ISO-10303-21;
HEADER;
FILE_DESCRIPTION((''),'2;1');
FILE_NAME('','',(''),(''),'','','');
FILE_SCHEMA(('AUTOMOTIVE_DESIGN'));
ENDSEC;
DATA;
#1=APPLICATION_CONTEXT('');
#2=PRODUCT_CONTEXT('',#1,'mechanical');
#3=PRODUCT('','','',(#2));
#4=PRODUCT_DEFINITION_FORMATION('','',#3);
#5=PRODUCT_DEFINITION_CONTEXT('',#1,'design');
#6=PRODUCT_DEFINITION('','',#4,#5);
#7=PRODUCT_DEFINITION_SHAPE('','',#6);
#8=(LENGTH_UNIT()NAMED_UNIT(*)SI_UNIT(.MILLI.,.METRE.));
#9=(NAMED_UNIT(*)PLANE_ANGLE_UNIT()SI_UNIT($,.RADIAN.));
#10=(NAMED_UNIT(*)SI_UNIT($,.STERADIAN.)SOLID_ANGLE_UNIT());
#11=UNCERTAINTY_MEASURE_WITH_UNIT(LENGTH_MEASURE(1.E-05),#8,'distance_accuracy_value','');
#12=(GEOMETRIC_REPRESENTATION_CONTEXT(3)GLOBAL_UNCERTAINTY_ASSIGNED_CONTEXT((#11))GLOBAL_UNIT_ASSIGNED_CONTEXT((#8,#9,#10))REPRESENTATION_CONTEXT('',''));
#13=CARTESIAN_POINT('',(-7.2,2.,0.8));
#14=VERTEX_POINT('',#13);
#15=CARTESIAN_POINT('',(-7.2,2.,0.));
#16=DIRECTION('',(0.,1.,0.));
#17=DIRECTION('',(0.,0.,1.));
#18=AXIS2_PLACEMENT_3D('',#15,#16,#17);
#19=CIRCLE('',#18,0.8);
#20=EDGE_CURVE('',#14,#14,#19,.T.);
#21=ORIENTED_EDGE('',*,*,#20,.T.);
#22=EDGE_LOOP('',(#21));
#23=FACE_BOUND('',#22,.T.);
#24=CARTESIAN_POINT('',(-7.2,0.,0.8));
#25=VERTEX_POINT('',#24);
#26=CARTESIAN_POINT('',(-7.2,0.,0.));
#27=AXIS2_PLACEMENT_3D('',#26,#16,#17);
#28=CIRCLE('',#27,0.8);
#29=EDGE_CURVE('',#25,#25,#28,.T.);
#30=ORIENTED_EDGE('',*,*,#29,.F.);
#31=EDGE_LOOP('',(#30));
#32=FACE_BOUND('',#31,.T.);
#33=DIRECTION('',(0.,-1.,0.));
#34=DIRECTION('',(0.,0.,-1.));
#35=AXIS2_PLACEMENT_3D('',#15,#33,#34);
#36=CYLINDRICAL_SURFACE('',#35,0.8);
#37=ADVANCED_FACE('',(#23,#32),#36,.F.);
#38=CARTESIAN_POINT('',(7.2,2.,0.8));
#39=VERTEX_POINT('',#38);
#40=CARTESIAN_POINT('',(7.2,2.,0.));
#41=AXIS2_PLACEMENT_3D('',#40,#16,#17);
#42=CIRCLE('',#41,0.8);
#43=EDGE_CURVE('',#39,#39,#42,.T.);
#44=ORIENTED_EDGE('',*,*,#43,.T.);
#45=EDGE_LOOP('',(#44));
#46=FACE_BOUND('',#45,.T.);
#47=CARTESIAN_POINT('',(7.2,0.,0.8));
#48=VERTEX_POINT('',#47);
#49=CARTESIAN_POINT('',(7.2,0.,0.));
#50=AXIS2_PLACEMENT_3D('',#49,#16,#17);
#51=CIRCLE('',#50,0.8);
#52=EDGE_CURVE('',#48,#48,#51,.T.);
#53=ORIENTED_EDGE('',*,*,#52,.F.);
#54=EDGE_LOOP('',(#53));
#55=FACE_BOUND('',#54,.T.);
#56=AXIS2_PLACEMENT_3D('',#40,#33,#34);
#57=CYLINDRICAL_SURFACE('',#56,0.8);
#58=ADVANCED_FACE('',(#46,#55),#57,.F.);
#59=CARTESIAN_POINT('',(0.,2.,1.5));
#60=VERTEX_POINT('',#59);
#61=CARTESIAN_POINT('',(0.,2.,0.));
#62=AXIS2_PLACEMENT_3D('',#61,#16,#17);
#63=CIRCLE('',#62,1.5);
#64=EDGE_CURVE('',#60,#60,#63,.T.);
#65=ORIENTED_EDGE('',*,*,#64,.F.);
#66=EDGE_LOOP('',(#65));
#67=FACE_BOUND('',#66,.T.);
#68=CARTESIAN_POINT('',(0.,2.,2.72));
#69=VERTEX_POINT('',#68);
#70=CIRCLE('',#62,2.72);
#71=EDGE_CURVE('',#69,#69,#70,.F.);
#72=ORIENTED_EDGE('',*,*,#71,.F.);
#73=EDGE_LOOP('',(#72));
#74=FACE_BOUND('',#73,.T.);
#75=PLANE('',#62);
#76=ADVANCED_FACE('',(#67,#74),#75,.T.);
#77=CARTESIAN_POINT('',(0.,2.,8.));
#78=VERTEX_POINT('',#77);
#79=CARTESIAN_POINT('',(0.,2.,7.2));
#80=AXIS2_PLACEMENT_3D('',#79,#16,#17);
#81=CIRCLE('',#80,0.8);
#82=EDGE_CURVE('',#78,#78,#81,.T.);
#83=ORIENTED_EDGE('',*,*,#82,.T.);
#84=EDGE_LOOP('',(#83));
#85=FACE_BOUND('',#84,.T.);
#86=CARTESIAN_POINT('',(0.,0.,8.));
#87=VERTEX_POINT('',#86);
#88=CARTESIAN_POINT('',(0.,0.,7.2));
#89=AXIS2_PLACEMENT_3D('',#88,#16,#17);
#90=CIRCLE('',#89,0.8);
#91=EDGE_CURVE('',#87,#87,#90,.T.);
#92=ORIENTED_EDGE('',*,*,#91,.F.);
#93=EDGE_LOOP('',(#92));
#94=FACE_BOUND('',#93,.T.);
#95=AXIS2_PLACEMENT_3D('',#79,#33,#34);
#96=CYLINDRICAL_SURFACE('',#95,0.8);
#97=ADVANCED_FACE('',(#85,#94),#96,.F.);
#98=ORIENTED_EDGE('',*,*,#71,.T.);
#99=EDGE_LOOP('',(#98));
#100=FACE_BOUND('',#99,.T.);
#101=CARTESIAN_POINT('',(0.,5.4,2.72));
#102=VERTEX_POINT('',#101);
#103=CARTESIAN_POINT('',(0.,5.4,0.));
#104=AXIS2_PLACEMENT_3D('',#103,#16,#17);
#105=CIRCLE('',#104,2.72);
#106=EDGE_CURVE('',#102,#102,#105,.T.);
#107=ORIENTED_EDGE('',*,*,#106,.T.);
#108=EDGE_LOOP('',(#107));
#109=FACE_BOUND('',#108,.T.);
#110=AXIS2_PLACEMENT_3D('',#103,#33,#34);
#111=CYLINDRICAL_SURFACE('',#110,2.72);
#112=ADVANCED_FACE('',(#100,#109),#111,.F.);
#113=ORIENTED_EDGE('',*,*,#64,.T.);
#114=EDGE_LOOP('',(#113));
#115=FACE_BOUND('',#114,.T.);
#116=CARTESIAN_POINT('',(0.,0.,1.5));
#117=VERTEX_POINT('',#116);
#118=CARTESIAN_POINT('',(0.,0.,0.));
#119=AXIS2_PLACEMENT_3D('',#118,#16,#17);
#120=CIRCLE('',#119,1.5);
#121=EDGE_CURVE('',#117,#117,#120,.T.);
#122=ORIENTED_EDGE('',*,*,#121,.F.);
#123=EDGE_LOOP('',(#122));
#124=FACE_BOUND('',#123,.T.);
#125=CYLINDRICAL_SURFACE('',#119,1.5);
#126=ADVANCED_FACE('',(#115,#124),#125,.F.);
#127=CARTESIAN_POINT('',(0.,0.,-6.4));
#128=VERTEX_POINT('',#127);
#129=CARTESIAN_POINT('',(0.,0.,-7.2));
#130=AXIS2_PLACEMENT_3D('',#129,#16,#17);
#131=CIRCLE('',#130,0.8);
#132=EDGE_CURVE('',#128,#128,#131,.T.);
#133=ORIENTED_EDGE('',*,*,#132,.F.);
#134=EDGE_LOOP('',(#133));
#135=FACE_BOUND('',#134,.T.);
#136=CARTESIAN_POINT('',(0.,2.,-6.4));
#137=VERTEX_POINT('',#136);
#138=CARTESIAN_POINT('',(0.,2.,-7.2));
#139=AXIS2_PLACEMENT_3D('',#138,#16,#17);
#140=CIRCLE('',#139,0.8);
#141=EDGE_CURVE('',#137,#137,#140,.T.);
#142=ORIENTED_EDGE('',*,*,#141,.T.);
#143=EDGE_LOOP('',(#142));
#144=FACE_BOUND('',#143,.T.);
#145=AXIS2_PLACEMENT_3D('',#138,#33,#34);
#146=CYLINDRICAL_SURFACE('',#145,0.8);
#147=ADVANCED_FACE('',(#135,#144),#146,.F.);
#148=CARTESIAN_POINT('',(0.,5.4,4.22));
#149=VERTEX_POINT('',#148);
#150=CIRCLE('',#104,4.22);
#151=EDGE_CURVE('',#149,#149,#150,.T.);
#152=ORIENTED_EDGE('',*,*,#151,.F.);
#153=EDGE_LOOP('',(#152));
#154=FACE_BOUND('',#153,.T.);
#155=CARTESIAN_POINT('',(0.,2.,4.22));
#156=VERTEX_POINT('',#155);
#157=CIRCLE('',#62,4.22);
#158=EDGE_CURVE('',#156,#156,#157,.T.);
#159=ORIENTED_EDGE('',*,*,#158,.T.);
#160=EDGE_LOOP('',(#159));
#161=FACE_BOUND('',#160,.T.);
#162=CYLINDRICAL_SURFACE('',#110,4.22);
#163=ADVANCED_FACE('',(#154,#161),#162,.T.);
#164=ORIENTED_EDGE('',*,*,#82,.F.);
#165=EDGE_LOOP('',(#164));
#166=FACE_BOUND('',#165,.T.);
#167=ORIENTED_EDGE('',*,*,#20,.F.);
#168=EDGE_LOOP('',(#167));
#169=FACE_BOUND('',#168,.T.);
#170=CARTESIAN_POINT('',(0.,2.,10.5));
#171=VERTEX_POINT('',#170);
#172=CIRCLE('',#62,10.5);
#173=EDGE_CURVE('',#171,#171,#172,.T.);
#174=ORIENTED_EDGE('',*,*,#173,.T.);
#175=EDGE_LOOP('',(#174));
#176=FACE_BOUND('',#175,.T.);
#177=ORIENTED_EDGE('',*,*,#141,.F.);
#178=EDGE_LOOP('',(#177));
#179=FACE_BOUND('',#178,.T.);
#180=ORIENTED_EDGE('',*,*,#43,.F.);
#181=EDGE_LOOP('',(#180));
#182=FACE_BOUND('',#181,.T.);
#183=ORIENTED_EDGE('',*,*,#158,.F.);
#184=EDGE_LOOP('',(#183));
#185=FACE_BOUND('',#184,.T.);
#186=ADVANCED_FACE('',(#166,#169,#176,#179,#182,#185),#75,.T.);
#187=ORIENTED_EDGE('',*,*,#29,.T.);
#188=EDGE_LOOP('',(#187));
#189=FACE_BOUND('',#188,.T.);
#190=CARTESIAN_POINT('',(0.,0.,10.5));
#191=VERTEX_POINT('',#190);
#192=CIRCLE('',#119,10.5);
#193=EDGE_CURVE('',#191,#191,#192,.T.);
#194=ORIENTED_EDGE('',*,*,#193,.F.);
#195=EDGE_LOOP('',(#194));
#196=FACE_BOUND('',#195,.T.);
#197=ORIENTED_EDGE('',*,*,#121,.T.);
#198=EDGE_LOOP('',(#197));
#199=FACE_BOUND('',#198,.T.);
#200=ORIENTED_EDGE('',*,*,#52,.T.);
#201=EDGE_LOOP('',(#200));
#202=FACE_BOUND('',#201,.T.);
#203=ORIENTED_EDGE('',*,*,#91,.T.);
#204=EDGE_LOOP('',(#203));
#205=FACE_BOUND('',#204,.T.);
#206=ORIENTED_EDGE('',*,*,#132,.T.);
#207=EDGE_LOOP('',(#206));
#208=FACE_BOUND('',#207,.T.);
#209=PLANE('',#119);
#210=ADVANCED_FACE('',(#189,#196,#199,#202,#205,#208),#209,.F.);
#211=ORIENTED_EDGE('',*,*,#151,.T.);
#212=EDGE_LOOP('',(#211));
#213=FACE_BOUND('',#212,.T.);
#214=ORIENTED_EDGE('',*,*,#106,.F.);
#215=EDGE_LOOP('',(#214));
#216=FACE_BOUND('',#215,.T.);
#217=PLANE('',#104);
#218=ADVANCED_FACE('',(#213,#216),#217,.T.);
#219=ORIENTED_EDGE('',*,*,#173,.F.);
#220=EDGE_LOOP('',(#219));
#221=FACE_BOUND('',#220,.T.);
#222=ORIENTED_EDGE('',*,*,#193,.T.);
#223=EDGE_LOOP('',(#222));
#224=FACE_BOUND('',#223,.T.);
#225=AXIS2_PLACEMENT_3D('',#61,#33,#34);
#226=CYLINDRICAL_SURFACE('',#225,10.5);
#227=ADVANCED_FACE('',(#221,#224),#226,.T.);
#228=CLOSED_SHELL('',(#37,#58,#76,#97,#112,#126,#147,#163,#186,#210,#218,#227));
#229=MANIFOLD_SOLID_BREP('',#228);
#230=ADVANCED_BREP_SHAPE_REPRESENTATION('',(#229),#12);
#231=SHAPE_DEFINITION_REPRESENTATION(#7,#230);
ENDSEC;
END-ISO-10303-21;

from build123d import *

# Parameters (mm, degrees)
SKETCH1_R           = 10.5
SKETCH1_R_2         = 0.8
BOSS_EXTRUDE1_DEPTH = 2
SKETCH2_R           = 1.5
CUT_EXTRUDE1_DEPTH  = 2
SKETCH2_3_R         = 4.22
SKETCH2_3_R_2       = 2.72
BOSS_EXTRUDE2_DEPTH = 3.4


with BuildPart() as part:
    # Sketch1 → Boss-Extrude1 (new body)
    with BuildSketch(Plane(origin=(0, 0, 0), x_dir=(1, 0, 0), z_dir=(0, 1, 0))):
        Circle(SKETCH1_R)
        with Locations((0, 7.2)):
            Circle(SKETCH1_R_2, mode=Mode.SUBTRACT)
        with Locations((7.2, 0)):
            Circle(SKETCH1_R_2, mode=Mode.SUBTRACT)
        with Locations((0, -7.2)):
            Circle(SKETCH1_R_2, mode=Mode.SUBTRACT)
        with Locations((-7.2, 0)):
            Circle(SKETCH1_R_2, mode=Mode.SUBTRACT)
    extrude(amount=BOSS_EXTRUDE1_DEPTH)

    # Sketch2 → Cut-Extrude1 (cut)
    with BuildSketch(Plane(origin=(0, 2, 0), x_dir=(1, 0, 0), z_dir=(0, 1, 0))):
        Circle(SKETCH2_R)
    extrude(amount=-CUT_EXTRUDE1_DEPTH, mode=Mode.SUBTRACT)

    # Sketch2<3> → Boss-Extrude2 (add)
    with BuildSketch(Plane(origin=(0, 2, 0), x_dir=(1, 0, 0), z_dir=(0, 1, 0))):
        Circle(SKETCH2_3_R)
        Circle(SKETCH2_3_R_2, mode=Mode.SUBTRACT)
    extrude(amount=BOSS_EXTRUDE2_DEPTH)


solid = part.part
